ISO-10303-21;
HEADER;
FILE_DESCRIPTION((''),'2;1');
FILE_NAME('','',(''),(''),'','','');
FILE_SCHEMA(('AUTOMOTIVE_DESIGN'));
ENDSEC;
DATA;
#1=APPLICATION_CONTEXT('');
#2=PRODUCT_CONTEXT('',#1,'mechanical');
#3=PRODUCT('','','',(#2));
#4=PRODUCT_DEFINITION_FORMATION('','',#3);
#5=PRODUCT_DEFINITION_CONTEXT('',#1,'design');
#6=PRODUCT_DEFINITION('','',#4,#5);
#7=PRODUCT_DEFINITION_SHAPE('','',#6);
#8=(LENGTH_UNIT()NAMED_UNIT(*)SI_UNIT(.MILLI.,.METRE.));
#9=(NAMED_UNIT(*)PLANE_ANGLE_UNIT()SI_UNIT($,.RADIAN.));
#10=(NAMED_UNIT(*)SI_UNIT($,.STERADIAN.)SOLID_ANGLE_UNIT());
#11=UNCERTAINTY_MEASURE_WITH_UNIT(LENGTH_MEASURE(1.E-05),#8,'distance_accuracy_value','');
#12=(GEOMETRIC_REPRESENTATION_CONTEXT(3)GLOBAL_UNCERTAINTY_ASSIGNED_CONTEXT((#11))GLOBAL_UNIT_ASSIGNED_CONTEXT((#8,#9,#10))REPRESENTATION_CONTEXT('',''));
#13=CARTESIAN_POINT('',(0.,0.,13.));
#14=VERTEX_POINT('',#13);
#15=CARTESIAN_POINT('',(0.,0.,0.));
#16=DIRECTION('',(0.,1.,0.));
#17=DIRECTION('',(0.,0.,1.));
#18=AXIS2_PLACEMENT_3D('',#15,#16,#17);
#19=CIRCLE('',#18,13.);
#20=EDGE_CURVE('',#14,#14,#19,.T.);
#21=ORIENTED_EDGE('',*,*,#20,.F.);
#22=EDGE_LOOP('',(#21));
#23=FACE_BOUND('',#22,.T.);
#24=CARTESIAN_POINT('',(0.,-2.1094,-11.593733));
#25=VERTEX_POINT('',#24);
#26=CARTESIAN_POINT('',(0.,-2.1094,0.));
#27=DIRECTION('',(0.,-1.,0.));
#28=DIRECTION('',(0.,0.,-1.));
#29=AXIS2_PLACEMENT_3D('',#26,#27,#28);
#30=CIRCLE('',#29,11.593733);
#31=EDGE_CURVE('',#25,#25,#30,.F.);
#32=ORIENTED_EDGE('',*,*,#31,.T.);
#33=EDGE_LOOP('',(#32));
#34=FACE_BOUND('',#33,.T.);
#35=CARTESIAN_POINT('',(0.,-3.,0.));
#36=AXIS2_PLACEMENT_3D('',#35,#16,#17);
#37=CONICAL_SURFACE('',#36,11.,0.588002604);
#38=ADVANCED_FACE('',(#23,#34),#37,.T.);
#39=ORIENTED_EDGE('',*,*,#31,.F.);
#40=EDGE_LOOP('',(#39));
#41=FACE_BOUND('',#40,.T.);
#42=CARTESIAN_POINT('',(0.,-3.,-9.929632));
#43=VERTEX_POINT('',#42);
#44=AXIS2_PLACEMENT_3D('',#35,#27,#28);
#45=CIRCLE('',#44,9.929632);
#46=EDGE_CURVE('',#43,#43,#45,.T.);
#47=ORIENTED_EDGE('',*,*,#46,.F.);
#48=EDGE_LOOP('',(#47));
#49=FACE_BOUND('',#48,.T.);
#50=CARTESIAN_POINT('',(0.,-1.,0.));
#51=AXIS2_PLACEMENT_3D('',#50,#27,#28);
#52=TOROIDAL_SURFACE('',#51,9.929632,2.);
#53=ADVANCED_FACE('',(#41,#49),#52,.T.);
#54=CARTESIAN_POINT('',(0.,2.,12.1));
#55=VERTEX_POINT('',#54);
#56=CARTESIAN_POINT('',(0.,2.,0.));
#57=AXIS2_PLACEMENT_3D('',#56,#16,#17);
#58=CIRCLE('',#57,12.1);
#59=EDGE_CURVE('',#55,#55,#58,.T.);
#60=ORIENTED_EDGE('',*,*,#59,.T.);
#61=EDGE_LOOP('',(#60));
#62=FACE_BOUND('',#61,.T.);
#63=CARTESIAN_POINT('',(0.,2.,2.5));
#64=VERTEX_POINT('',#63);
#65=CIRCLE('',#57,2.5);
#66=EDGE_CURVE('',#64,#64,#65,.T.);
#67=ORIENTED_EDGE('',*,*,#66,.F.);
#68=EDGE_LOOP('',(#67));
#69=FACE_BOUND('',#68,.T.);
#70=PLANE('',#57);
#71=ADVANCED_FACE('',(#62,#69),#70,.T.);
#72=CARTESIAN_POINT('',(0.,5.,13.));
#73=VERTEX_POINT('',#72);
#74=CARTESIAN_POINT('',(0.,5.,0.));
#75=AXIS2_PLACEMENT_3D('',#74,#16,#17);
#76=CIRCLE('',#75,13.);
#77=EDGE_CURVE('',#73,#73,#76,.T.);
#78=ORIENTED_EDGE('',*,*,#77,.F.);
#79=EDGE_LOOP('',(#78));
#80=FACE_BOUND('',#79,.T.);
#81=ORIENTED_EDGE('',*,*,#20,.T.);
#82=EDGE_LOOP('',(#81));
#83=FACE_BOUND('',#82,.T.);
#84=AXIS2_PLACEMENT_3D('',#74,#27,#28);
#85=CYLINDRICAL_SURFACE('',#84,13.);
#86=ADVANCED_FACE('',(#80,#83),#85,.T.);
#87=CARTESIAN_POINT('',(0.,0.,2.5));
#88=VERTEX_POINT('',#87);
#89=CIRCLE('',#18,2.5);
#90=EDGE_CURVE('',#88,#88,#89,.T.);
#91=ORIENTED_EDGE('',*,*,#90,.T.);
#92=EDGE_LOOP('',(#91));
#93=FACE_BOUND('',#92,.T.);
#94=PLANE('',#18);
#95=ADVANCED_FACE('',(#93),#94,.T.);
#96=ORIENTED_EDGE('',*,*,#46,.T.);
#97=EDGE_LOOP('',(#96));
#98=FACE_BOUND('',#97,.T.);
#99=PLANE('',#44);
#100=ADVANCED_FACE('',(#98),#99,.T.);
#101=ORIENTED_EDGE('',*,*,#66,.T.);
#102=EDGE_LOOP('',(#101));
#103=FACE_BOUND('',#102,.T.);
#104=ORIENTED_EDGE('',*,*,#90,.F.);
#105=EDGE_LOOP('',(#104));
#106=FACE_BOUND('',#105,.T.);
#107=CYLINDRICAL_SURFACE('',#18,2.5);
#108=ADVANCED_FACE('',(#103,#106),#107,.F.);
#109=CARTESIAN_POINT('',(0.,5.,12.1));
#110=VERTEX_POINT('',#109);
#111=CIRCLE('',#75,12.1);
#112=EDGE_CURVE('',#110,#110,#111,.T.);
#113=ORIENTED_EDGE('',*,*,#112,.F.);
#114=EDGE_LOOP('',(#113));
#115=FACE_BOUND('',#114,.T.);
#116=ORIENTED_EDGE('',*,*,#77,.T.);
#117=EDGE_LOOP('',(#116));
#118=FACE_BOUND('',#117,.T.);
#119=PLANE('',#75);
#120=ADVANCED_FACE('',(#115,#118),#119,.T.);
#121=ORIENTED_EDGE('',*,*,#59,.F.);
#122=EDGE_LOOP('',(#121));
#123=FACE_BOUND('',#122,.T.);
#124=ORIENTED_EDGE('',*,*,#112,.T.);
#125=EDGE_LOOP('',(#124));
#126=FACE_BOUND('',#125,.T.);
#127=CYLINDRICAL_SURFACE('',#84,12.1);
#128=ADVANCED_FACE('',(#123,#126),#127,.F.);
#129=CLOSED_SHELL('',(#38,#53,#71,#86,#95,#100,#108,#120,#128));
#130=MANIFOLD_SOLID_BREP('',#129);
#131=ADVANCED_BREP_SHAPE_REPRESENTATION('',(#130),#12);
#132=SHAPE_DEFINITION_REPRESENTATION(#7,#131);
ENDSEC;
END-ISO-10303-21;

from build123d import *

# Parameters (mm, degrees)
SKETCH_1_R          = 13
EXTRUDE_1_DEPTH     = 5
SKETCH_2_R          = 12
CUT_EXTRUDE_1_DEPTH = 3
SKETCH_3_R          = 2.5
CUT_EXTRUDE_2_DEPTH = 2
SKETCH_4_R          = 11
FILLET_1_R          = 2
SKETCH_7_R          = 12.1
CUT_EXTRUDE_3_DEPTH = 20.05255902


with BuildPart() as part:
    # 草图1 → 凸台-拉伸1 (new body)
    with BuildSketch(Plane(origin=(0, 0, 0), x_dir=(1, 0, 0), z_dir=(0, 1, 0))):
        with Locations(Location((0, 0, 0), (0, 0, 270))):
            Circle(SKETCH_1_R)
    extrude(amount=EXTRUDE_1_DEPTH)

    # 草图2 → 切除-拉伸1 (cut)
    with BuildSketch(Plane(origin=(0, 5, 0), x_dir=(1, 0, 0), z_dir=(0, 1, 0))):
        with Locations(Location((0, 0, 0), (0, 0, 270))):
            Circle(SKETCH_2_R)
    extrude(amount=-CUT_EXTRUDE_1_DEPTH, mode=Mode.SUBTRACT)

    # 草图3 → 切除-拉伸2 (cut)
    with BuildSketch(Plane(origin=(0, 2, 0), x_dir=(1, 0, 0), z_dir=(0, 1, 0))):
        with Locations(Location((0, 0, 0), (0, 0, 270))):
            Circle(SKETCH_3_R)
    extrude(amount=-CUT_EXTRUDE_2_DEPTH, mode=Mode.SUBTRACT)

    # 草图4 → section 0 of loft_1
    with BuildSketch(Plane(origin=(0, -3, 0), x_dir=(-1, 0, 0), z_dir=(0, -1, 0)), mode=Mode.PRIVATE) as loft_1_s0:
        Circle(SKETCH_4_R)
    # loft up to a face of the part (loft_1)
    loft([loft_1_s0.sketch, Face(Wire([part.edges().sort_by_distance((-9.476592156, 0, -8.899112377))[0]]))])

    # 圆角1
    fillet_1_edges = [part.edges().sort_by_distance(p)[0] for p in [
        (11, -3, 0),
    ]]
    fillet(fillet_1_edges, radius=FILLET_1_R)

    # 草图7 → 切除-拉伸3 (cut, through all)
    with BuildSketch(Plane(origin=(0, 2, 0), x_dir=(1, 0, 0), z_dir=(0, 1, 0))):
        with Locations(Location((0, 0, 0), (0, 0, 270))):
            Circle(SKETCH_7_R)
    extrude(amount=CUT_EXTRUDE_3_DEPTH, mode=Mode.SUBTRACT)


solid = part.part
